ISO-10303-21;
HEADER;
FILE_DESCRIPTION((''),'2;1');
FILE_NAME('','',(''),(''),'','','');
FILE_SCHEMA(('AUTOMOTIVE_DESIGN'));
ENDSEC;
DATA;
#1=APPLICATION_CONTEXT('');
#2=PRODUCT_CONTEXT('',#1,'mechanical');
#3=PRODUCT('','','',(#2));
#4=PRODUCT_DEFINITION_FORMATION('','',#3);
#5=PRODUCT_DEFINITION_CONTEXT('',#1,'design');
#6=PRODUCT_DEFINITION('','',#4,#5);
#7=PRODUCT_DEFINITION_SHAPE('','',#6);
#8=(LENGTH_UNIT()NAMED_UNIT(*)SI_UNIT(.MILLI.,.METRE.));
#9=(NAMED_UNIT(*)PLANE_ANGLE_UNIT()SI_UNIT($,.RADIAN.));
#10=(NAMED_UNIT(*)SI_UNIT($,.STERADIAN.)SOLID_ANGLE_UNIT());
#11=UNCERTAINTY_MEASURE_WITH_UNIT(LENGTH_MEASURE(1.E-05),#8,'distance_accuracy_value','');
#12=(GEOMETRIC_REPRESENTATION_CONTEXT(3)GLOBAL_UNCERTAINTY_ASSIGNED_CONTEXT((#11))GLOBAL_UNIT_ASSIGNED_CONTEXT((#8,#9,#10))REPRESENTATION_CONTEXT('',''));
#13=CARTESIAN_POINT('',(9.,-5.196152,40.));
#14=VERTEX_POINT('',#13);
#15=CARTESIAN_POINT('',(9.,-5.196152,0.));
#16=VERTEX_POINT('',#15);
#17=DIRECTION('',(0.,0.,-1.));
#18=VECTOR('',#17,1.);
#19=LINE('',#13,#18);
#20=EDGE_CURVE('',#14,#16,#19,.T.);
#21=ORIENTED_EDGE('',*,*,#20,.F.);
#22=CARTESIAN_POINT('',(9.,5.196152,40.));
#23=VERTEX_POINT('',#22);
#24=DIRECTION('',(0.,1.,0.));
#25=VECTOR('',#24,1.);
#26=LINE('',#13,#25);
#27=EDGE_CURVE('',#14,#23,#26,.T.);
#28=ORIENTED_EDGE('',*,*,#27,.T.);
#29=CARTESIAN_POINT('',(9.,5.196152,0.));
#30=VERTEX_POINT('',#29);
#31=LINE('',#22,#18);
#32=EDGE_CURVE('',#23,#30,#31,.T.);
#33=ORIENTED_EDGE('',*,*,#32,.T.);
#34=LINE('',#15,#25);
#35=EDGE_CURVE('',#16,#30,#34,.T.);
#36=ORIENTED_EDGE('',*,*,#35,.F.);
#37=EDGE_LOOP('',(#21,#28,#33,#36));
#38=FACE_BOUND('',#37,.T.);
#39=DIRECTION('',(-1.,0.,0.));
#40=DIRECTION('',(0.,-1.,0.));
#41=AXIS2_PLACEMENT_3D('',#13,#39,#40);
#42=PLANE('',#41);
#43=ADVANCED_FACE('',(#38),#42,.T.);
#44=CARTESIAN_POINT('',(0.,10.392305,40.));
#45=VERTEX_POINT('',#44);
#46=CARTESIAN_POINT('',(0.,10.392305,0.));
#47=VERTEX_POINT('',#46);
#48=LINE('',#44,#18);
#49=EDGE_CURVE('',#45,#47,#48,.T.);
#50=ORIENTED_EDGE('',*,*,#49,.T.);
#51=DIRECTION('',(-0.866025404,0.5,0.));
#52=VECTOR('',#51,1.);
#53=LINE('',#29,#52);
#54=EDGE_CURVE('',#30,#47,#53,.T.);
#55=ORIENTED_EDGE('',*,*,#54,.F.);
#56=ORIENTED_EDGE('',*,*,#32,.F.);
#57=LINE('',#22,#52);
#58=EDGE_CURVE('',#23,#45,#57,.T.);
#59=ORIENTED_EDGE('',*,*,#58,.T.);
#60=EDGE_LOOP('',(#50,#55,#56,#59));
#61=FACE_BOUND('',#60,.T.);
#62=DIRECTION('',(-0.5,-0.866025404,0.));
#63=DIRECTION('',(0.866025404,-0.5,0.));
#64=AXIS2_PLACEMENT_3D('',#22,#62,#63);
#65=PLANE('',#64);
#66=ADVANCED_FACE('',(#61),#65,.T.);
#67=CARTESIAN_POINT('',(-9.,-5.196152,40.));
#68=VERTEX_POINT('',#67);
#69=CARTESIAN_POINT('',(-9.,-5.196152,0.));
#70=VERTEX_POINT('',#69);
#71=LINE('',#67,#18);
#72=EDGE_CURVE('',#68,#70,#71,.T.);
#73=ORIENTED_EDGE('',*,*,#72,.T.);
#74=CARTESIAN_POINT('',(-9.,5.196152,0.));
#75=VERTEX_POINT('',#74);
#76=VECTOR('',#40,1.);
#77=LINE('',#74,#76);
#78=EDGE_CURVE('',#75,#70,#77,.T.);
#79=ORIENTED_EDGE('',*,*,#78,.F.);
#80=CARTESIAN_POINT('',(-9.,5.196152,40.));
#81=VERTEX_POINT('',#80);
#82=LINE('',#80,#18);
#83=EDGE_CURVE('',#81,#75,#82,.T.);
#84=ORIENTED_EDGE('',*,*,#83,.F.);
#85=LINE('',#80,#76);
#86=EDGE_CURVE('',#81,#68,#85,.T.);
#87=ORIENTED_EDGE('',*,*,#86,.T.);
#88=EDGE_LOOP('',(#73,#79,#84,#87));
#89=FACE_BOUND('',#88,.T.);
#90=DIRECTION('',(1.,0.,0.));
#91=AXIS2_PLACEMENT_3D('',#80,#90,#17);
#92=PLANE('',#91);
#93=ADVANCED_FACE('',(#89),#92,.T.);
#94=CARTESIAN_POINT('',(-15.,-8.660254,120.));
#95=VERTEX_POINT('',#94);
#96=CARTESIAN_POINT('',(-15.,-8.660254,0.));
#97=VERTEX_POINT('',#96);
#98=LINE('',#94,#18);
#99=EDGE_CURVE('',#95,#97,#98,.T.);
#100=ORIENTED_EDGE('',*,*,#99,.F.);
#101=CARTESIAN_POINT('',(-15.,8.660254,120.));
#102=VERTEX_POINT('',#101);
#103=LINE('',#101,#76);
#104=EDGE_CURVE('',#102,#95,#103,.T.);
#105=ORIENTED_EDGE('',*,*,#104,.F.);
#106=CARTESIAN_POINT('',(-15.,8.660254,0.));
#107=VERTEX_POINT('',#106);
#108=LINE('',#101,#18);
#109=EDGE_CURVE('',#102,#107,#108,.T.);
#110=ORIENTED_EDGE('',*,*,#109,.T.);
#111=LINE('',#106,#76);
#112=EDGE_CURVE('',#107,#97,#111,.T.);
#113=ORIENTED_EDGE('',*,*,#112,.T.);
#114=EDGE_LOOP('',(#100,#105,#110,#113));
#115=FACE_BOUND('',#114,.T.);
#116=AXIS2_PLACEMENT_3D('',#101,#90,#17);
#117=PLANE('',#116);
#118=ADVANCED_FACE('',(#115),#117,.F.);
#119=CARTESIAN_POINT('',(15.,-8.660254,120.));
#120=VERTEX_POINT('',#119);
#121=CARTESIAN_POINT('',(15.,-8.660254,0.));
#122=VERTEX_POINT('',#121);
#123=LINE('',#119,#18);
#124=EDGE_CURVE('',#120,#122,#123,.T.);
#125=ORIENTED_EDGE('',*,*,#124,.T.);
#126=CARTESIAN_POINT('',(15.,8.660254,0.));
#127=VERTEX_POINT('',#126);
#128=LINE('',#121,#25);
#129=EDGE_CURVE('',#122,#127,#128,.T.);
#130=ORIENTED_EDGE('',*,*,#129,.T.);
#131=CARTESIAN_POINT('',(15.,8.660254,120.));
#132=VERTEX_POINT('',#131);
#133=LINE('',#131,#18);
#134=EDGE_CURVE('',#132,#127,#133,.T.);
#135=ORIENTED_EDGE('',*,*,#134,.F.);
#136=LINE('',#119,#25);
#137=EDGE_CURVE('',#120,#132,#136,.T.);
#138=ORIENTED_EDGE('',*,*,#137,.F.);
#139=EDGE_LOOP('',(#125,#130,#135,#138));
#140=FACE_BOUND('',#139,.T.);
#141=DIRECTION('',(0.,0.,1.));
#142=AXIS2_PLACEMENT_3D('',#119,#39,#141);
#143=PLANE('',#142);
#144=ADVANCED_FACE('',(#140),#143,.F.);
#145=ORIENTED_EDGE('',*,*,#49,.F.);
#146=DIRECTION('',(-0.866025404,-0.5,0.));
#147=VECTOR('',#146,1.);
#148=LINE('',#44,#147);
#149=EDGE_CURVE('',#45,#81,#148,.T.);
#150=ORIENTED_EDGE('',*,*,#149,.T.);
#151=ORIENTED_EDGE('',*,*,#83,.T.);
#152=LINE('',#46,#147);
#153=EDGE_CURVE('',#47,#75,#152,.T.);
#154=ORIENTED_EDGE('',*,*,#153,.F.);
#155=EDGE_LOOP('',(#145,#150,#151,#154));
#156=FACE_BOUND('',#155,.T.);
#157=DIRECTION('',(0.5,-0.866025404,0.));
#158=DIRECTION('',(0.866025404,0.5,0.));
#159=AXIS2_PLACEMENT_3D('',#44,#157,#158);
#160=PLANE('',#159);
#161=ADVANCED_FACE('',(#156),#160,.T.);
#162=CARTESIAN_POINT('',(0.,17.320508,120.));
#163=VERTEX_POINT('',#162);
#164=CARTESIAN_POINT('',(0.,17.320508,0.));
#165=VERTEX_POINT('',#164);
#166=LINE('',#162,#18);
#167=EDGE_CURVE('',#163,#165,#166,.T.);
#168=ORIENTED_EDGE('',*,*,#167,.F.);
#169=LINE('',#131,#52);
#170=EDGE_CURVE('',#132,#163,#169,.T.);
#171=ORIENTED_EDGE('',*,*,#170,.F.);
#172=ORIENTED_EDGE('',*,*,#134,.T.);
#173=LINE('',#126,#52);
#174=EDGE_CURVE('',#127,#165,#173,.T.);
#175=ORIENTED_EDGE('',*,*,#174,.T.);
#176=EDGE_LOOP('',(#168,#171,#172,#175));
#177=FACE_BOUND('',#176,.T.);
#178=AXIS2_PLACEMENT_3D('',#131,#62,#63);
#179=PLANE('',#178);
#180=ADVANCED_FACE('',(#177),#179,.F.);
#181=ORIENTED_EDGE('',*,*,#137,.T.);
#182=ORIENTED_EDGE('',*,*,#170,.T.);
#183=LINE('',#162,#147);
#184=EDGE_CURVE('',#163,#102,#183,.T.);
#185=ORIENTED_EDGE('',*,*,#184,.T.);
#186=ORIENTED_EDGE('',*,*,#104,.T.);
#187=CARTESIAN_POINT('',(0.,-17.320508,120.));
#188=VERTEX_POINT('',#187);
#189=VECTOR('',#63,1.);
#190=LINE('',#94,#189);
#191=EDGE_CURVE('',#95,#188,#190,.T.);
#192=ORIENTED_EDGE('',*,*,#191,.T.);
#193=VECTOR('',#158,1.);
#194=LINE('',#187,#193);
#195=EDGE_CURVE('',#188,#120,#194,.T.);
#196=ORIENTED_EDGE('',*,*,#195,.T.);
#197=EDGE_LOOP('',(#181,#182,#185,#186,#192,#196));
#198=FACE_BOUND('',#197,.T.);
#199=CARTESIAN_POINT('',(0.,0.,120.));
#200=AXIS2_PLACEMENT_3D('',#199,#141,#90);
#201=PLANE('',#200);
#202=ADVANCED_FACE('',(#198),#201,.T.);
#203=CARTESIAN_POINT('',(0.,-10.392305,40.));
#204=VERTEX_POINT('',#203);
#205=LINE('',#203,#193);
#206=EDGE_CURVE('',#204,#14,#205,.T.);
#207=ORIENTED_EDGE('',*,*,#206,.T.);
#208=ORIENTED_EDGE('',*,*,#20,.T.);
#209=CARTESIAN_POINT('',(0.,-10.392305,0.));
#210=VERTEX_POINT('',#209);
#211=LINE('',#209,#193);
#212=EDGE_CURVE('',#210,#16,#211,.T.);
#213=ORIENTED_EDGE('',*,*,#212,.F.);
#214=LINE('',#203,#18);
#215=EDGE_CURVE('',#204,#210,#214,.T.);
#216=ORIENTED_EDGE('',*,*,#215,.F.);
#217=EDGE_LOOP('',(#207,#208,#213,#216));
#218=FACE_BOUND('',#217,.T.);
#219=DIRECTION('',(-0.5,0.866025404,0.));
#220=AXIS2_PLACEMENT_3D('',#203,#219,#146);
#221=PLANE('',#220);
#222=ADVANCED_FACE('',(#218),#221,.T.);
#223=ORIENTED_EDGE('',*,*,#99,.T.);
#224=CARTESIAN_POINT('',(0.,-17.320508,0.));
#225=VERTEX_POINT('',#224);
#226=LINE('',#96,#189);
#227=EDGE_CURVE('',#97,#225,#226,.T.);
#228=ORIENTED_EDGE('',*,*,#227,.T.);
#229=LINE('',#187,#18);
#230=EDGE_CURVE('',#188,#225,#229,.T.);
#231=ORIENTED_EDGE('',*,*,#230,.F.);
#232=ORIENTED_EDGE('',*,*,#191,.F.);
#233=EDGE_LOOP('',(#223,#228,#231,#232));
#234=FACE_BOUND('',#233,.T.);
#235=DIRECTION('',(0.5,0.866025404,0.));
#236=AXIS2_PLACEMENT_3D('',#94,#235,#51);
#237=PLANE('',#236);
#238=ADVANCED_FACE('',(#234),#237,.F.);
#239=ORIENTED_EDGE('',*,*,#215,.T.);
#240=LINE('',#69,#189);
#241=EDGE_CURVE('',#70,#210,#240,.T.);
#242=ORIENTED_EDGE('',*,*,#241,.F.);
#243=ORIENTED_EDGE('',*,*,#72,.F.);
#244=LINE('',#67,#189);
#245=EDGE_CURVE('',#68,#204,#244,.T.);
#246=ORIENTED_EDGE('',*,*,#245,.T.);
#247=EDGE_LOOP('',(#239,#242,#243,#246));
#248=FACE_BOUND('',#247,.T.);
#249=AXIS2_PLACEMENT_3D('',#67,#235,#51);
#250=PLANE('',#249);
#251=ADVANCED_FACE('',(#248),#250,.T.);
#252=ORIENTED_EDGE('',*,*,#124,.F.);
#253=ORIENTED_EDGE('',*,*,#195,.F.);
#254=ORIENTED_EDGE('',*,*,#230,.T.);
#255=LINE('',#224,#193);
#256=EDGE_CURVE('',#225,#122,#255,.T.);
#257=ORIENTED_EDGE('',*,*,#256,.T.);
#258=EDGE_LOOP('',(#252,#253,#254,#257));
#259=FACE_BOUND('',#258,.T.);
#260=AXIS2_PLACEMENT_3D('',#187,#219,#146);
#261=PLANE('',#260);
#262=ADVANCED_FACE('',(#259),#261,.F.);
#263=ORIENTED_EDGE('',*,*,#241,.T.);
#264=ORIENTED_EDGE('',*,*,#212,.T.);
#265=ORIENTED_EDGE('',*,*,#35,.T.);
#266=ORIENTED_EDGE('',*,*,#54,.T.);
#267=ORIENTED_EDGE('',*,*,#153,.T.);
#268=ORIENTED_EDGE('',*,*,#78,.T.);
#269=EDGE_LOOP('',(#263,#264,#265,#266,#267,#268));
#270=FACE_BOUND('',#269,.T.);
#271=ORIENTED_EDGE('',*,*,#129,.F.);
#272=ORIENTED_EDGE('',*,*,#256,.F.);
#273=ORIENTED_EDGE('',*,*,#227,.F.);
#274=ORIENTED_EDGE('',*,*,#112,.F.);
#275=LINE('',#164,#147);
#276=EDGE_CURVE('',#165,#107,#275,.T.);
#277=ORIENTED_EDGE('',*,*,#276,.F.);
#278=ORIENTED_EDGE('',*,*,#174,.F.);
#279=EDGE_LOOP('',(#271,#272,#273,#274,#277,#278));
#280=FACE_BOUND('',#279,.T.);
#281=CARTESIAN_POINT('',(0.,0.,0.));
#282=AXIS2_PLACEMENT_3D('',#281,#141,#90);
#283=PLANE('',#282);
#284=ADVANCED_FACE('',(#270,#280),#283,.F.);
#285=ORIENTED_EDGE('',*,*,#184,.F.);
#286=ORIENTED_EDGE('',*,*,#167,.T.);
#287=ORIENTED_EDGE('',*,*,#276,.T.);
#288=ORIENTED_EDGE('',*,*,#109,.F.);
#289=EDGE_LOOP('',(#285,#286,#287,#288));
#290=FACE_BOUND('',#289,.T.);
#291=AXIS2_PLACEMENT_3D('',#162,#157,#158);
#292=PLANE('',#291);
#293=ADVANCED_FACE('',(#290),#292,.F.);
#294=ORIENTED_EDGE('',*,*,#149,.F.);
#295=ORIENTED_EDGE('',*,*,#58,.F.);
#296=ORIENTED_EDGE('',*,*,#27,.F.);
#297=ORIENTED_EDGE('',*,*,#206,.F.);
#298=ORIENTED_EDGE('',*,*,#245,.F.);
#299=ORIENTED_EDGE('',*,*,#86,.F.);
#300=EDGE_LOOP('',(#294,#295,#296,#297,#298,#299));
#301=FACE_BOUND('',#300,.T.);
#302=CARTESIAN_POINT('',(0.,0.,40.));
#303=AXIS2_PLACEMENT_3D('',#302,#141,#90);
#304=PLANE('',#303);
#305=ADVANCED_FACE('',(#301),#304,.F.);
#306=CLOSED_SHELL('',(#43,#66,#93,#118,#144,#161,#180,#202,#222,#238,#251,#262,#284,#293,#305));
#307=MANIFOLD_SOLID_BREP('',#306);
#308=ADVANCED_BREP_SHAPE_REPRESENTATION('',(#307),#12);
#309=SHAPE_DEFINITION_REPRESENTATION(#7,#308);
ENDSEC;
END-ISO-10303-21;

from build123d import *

# Parameters (mm, degrees)
RESSALTO_EXTRUS_O1_DEPTH = 120
CORTE_EXTRUS_O1_DEPTH    = 40


with BuildPart() as part:
    # Esboço2 → Ressalto-extrusão1 (new body)
    with BuildSketch(Plane.XY):
        Polygon((15, 8.660254038), (0, 17.320508076), (-15, 8.660254038), (-15, -8.660254038), (0, -17.320508076), (15, -8.660254038), align=None)
    extrude(amount=RESSALTO_EXTRUS_O1_DEPTH)

    # Esboço1 → Corte-extrusão1 (cut)
    with BuildSketch(Plane.XY):
        Polygon((9, 5.196152423), (0, 10.392304845), (-9, 5.196152423), (-9, -5.196152423), (0, -10.392304845), (9, -5.196152423), align=None)
    extrude(amount=CORTE_EXTRUS_O1_DEPTH, mode=Mode.SUBTRACT)


solid = part.part
